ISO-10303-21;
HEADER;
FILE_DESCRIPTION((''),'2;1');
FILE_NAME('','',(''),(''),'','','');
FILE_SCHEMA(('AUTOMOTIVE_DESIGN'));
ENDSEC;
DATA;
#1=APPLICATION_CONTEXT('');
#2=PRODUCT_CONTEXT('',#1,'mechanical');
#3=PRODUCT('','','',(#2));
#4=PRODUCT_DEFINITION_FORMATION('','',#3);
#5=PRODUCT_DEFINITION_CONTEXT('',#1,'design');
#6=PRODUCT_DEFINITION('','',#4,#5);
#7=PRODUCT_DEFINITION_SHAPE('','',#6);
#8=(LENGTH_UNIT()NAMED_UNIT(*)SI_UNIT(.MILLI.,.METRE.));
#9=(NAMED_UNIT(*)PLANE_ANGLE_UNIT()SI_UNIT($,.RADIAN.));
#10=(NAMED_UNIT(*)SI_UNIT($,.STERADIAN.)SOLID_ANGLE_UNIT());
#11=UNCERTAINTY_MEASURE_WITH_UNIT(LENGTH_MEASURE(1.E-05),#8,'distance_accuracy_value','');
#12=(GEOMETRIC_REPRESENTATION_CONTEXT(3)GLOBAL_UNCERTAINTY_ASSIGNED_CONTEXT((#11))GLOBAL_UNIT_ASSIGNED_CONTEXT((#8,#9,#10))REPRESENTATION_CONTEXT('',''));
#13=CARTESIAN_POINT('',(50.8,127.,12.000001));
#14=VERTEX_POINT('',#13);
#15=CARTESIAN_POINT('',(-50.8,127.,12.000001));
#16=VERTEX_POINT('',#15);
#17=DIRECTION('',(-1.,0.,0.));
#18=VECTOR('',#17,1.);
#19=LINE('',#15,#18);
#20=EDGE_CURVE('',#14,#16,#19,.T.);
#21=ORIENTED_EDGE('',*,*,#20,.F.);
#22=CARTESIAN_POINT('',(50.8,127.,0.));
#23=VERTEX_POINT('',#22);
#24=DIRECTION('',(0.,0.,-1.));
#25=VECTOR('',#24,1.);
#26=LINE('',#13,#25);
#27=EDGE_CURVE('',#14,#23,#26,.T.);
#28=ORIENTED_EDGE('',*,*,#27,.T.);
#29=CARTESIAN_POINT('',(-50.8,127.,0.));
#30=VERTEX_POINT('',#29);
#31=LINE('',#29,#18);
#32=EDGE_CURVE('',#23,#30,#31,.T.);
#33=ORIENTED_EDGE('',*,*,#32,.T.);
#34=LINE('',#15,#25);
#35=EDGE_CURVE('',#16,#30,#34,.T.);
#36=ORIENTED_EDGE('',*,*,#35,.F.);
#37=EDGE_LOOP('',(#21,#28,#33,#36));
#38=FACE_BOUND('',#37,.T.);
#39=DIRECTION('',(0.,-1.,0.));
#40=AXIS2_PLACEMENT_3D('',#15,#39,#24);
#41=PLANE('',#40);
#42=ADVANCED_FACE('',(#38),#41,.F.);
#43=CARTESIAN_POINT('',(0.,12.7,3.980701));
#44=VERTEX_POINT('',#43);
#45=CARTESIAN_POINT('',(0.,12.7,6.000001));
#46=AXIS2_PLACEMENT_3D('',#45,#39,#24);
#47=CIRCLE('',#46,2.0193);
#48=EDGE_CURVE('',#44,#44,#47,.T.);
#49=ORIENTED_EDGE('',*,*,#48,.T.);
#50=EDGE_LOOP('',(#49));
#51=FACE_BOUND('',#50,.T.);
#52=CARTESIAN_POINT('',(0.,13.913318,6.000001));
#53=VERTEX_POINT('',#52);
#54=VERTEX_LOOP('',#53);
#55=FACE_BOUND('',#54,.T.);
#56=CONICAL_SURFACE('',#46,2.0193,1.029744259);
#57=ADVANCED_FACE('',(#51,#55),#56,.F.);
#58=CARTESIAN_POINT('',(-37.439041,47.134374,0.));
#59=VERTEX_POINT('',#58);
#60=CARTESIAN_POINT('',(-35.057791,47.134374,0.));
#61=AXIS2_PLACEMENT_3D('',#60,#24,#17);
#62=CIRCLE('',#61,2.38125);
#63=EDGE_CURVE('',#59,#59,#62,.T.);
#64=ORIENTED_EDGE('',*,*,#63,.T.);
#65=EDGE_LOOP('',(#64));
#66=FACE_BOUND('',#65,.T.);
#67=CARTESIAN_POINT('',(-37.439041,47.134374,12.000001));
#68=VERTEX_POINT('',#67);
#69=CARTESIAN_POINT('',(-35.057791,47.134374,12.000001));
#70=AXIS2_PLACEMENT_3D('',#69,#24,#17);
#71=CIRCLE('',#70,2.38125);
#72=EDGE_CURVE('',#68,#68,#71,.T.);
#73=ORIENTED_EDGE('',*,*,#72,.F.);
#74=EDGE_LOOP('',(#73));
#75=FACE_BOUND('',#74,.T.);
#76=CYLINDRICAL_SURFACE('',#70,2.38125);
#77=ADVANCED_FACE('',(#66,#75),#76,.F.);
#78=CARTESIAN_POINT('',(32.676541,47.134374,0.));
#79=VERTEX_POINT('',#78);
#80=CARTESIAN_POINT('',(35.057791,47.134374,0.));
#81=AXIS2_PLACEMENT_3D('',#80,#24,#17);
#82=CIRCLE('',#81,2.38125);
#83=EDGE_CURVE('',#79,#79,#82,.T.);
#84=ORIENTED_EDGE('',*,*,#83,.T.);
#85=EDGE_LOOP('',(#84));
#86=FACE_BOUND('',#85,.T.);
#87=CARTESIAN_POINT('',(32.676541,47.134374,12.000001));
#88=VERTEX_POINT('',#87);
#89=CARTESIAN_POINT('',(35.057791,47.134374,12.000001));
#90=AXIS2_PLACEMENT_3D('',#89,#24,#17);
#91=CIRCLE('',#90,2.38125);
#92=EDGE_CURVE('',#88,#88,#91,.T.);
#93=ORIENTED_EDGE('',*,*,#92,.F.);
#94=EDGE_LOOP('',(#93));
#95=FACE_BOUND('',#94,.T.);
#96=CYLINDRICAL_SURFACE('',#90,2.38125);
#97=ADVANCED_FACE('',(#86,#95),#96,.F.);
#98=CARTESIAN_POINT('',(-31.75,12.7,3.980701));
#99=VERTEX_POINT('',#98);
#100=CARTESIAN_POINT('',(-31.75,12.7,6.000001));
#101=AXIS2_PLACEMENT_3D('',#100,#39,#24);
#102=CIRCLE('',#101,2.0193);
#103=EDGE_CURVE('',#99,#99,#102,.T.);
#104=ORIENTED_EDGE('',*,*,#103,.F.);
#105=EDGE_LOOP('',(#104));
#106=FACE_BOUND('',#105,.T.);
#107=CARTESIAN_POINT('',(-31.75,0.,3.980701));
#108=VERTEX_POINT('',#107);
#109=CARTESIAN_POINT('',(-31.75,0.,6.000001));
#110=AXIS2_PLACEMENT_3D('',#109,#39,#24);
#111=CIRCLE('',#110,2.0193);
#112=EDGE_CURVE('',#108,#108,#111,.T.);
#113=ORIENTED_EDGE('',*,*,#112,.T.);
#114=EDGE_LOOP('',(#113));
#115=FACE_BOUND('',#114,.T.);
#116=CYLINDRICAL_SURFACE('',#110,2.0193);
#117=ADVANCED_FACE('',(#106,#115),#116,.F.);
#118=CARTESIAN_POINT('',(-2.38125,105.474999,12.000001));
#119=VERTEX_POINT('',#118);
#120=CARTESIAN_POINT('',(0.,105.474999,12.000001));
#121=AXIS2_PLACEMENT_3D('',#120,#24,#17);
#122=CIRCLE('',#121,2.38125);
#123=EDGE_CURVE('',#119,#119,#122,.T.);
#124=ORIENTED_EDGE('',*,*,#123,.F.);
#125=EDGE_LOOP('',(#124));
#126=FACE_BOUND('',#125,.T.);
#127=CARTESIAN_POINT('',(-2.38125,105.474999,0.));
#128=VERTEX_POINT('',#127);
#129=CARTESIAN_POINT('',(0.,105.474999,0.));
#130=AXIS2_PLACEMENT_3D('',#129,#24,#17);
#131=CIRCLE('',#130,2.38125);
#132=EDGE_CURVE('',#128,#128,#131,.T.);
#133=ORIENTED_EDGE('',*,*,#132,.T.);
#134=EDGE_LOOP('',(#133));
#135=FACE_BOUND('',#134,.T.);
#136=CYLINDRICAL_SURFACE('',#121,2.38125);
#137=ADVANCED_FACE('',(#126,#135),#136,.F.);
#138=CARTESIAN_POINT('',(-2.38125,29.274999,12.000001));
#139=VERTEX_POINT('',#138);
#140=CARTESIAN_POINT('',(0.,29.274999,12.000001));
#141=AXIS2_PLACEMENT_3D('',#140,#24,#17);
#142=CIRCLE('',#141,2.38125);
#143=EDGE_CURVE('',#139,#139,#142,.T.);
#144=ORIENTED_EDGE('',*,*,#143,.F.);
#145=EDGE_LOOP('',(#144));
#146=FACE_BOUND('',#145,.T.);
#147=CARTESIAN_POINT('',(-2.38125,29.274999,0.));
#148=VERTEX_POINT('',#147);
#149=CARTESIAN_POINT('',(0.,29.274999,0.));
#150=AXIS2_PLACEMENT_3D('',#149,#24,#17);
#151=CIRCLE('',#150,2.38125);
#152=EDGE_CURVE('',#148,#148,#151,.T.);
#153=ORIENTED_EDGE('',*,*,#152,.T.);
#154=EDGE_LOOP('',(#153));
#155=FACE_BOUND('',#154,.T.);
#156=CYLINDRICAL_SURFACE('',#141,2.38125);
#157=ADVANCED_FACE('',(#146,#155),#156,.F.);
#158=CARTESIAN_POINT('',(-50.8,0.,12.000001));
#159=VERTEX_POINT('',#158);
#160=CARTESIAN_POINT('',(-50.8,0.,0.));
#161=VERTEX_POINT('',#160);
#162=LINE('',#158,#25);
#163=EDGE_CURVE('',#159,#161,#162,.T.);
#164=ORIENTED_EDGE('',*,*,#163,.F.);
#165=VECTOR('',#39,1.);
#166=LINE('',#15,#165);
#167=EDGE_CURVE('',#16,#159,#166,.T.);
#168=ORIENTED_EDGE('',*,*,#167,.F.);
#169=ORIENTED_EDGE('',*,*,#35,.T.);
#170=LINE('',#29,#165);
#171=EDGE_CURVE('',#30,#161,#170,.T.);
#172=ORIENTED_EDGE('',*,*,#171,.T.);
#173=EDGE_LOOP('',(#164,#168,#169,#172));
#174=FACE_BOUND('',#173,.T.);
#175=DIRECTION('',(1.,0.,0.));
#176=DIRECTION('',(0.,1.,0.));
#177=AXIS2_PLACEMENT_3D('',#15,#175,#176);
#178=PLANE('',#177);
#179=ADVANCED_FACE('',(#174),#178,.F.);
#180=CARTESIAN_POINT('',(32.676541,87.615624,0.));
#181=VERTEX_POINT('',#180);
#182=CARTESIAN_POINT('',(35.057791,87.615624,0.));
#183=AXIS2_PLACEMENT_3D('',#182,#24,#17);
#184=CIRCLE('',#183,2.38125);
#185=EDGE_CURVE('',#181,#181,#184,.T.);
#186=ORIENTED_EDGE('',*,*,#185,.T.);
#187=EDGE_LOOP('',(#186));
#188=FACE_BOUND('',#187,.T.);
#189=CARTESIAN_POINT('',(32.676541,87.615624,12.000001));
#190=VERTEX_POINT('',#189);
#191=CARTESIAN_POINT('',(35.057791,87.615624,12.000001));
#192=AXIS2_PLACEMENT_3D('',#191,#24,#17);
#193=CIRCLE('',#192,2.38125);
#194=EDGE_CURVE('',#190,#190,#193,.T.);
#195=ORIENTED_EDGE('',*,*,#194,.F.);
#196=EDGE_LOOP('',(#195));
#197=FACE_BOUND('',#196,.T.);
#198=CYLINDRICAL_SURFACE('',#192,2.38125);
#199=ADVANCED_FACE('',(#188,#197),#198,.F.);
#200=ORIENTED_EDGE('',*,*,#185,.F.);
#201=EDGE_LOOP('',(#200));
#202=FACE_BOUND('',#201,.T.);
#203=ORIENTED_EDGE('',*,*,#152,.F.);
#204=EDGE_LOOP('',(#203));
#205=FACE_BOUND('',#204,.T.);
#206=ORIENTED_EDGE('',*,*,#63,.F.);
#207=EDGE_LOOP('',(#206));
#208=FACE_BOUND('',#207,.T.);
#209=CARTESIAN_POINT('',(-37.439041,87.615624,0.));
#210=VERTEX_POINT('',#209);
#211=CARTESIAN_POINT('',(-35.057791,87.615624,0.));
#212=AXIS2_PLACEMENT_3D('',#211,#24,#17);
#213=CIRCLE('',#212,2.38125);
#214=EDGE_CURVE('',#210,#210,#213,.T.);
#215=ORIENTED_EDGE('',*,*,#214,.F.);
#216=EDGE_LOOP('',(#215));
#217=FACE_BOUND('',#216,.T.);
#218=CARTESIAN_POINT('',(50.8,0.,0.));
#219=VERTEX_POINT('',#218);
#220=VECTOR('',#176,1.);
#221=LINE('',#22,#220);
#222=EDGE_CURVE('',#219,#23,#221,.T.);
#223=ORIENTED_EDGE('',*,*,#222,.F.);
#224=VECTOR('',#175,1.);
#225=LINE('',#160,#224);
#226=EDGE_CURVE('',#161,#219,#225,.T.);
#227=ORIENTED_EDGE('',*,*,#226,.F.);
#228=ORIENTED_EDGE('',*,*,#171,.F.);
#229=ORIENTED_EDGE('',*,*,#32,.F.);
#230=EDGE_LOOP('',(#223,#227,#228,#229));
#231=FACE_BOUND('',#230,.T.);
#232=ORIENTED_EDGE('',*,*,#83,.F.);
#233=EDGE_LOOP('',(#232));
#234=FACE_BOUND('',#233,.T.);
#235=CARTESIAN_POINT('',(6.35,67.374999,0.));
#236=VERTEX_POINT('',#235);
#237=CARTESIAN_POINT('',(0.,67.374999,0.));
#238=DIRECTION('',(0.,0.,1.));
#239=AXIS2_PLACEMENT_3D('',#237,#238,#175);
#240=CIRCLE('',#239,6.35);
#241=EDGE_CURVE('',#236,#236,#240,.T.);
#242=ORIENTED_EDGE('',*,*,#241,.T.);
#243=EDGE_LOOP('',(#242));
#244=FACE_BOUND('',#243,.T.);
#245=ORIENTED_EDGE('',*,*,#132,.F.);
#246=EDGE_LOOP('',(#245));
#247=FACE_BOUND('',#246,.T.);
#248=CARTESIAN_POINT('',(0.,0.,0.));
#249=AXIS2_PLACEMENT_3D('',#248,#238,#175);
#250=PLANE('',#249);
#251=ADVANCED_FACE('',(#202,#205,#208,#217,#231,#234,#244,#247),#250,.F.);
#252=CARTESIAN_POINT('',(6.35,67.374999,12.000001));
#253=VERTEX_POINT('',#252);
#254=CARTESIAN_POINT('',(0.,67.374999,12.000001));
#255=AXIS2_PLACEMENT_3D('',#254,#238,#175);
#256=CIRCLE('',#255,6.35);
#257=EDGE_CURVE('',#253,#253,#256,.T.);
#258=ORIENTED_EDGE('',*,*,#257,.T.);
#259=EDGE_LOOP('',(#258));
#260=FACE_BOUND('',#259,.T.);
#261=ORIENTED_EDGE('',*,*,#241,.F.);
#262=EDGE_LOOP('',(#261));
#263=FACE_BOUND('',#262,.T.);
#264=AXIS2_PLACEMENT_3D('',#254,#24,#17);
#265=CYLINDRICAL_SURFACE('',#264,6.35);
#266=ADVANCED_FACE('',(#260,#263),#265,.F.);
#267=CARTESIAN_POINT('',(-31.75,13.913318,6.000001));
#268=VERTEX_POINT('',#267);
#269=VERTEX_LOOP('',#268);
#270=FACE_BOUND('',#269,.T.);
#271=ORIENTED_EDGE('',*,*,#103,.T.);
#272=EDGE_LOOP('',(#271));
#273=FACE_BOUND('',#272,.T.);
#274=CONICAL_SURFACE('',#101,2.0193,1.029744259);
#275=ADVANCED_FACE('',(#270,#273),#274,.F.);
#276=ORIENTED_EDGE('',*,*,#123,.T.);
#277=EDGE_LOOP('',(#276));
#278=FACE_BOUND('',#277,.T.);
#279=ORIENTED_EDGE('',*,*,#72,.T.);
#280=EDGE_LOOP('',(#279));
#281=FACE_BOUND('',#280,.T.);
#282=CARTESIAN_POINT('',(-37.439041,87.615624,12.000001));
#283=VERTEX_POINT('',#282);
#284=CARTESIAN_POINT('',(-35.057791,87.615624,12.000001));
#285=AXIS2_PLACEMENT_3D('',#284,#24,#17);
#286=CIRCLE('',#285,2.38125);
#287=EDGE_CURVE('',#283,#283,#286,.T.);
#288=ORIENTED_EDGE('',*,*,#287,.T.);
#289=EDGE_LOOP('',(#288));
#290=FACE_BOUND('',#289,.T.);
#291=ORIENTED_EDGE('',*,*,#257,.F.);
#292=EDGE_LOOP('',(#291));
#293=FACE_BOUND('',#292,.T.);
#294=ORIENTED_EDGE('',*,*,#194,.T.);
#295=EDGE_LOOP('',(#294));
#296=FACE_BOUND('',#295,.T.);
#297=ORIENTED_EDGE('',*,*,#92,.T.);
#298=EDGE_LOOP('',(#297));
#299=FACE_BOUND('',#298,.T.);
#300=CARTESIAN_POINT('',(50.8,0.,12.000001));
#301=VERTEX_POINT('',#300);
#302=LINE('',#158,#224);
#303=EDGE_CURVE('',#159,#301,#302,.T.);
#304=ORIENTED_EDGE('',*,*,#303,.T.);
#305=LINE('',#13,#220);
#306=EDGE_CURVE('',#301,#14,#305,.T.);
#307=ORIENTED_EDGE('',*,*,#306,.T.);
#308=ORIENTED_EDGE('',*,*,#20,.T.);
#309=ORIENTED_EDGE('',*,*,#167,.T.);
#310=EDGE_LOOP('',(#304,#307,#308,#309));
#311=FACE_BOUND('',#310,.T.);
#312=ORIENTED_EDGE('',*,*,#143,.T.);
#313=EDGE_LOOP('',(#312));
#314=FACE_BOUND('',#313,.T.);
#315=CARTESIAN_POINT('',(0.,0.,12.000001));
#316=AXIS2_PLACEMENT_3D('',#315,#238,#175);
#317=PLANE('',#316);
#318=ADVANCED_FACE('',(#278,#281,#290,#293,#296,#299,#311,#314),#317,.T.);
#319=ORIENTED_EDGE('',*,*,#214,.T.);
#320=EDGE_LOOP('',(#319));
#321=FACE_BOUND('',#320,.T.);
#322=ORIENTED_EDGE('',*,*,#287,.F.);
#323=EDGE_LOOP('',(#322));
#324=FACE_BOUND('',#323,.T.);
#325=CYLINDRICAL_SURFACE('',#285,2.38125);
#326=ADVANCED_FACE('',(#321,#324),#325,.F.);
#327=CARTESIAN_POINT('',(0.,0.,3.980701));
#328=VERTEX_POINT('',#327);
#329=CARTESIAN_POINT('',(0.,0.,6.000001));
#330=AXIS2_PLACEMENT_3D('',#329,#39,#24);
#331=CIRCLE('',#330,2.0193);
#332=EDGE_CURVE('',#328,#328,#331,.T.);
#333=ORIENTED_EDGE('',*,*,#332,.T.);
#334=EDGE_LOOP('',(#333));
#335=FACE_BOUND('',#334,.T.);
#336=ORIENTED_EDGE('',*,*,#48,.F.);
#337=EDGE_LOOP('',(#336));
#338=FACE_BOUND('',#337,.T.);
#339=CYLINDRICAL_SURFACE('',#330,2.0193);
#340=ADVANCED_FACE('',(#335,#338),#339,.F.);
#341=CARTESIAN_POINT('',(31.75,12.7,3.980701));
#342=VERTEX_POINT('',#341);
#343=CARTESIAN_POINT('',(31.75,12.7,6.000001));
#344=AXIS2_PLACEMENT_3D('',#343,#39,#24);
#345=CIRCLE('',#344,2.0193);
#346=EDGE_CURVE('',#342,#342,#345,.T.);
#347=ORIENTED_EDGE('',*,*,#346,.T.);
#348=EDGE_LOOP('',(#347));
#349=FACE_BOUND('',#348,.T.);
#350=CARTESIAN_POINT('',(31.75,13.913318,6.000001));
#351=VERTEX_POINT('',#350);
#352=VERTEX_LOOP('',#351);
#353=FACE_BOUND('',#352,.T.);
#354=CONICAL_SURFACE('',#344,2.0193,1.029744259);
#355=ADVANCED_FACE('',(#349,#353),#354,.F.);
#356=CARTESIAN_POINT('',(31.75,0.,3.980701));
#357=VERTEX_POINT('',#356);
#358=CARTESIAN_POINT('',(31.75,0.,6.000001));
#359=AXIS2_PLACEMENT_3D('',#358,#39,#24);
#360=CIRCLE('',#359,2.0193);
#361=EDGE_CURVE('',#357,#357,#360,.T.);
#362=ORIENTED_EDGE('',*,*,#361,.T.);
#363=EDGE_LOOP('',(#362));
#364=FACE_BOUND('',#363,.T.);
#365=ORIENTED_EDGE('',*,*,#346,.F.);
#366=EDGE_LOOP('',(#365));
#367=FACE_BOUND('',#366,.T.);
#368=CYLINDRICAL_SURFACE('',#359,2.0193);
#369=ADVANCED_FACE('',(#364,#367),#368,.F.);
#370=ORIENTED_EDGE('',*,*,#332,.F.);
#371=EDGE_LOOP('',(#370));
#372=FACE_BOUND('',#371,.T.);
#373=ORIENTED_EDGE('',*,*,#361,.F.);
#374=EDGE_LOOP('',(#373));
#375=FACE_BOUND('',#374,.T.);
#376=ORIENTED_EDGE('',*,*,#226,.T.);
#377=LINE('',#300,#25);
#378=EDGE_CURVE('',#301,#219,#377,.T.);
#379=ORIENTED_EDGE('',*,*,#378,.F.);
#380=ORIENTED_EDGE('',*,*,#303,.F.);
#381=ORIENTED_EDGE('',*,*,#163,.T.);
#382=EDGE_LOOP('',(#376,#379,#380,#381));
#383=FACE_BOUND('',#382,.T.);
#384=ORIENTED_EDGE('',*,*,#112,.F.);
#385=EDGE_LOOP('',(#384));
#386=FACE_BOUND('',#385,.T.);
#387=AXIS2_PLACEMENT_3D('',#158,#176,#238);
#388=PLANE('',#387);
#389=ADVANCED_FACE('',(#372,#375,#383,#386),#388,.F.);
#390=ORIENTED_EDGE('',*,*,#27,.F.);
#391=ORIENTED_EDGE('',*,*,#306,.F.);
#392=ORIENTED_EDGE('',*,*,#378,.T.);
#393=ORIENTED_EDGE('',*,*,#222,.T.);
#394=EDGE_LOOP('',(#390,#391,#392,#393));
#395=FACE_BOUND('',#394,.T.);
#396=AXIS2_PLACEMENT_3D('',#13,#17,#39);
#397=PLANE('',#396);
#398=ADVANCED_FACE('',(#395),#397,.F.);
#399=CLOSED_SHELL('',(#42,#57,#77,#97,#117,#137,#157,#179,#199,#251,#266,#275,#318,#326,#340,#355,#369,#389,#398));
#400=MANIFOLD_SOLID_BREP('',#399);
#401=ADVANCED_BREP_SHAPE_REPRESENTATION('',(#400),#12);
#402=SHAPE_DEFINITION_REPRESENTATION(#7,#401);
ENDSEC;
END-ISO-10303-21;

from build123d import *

# Parameters (mm, degrees)
SKETCH1_W                  = 101.6
SKETCH1_H                  = 127
SKETCH1_R                  = 6.35
BOSS_EXTRUDE1_DEPTH        = 12.0000014
SKETCH2_R                  = 2.38125
CUT_EXTRUDE1_DEPTH         = 138.308557758
SKETCH3_R                  = 1.27
CUT_EXTRUDE2_DEPTH         = 12.7
F_10_32_TAPPED_HOLE3_D     = 4.0386
F_10_32_TAPPED_HOLE3_DEPTH = 12.7
F_10_32_TAPPED_HOLE3_TIP   = 1.213317848


with BuildPart() as part:
    # Sketch1 → Boss-Extrude1 (new body)
    with BuildSketch(Plane.XY):
        with Locations((0, 63.5)):
            Rectangle(SKETCH1_W, SKETCH1_H)
        with Locations((0, 67.3749986)):
            Circle(SKETCH1_R, mode=Mode.SUBTRACT)
    extrude(amount=BOSS_EXTRUDE1_DEPTH)

    # Sketch2 → Cut-Extrude1 (cut, through all)
    with BuildSketch(Plane(origin=(0, 0, 0), x_dir=(-1, 0, 0), z_dir=(0, 0, -1))):
        with Locations((0, 105.4749986)):
            Circle(SKETCH2_R)
        with Locations((0, 29.2749986)):
            Circle(SKETCH2_R)
        with Locations((-35.057790877, 87.6156236)):
            Circle(SKETCH2_R)
        with Locations((-35.057790877, 47.1343736)):
            Circle(SKETCH2_R)
        with Locations((35.057790877, 47.1343736)):
            Circle(SKETCH2_R)
        with Locations((35.057790877, 87.6156236)):
            Circle(SKETCH2_R)
    extrude(amount=-CUT_EXTRUDE1_DEPTH, mode=Mode.SUBTRACT)

    # Sketch3 → Cut-Extrude2 (cut)
    with BuildSketch(Plane.XZ):
        with Locations(Location((31.75, 6.0000007, 0), (0, 0, 270))):
            Circle(SKETCH3_R)
        with Locations(Location((0, 6.0000007, 0), (0, 0, 270))):
            Circle(SKETCH3_R)
        with Locations(Location((-31.75, 6.0000007, 0), (0, 0, 270))):
            Circle(SKETCH3_R)
    extrude(amount=-CUT_EXTRUDE2_DEPTH, mode=Mode.SUBTRACT)

    # #10-32 Tapped Hole3
    with Locations(Plane(origin=(0, 0, 0), x_dir=(-1, 0, 0), z_dir=(0, -1, 0))):
        with Locations((-31.75, -6.0000007), (0, -6.0000007), (31.75, -6.0000007)):
            Hole(F_10_32_TAPPED_HOLE3_D / 2, depth=F_10_32_TAPPED_HOLE3_DEPTH)
            with Locations((0, 0, -(F_10_32_TAPPED_HOLE3_DEPTH + F_10_32_TAPPED_HOLE3_TIP / 2))):  # 118° drill point
                Cone(0, F_10_32_TAPPED_HOLE3_D / 2, F_10_32_TAPPED_HOLE3_TIP, mode=Mode.SUBTRACT)


solid = part.part
